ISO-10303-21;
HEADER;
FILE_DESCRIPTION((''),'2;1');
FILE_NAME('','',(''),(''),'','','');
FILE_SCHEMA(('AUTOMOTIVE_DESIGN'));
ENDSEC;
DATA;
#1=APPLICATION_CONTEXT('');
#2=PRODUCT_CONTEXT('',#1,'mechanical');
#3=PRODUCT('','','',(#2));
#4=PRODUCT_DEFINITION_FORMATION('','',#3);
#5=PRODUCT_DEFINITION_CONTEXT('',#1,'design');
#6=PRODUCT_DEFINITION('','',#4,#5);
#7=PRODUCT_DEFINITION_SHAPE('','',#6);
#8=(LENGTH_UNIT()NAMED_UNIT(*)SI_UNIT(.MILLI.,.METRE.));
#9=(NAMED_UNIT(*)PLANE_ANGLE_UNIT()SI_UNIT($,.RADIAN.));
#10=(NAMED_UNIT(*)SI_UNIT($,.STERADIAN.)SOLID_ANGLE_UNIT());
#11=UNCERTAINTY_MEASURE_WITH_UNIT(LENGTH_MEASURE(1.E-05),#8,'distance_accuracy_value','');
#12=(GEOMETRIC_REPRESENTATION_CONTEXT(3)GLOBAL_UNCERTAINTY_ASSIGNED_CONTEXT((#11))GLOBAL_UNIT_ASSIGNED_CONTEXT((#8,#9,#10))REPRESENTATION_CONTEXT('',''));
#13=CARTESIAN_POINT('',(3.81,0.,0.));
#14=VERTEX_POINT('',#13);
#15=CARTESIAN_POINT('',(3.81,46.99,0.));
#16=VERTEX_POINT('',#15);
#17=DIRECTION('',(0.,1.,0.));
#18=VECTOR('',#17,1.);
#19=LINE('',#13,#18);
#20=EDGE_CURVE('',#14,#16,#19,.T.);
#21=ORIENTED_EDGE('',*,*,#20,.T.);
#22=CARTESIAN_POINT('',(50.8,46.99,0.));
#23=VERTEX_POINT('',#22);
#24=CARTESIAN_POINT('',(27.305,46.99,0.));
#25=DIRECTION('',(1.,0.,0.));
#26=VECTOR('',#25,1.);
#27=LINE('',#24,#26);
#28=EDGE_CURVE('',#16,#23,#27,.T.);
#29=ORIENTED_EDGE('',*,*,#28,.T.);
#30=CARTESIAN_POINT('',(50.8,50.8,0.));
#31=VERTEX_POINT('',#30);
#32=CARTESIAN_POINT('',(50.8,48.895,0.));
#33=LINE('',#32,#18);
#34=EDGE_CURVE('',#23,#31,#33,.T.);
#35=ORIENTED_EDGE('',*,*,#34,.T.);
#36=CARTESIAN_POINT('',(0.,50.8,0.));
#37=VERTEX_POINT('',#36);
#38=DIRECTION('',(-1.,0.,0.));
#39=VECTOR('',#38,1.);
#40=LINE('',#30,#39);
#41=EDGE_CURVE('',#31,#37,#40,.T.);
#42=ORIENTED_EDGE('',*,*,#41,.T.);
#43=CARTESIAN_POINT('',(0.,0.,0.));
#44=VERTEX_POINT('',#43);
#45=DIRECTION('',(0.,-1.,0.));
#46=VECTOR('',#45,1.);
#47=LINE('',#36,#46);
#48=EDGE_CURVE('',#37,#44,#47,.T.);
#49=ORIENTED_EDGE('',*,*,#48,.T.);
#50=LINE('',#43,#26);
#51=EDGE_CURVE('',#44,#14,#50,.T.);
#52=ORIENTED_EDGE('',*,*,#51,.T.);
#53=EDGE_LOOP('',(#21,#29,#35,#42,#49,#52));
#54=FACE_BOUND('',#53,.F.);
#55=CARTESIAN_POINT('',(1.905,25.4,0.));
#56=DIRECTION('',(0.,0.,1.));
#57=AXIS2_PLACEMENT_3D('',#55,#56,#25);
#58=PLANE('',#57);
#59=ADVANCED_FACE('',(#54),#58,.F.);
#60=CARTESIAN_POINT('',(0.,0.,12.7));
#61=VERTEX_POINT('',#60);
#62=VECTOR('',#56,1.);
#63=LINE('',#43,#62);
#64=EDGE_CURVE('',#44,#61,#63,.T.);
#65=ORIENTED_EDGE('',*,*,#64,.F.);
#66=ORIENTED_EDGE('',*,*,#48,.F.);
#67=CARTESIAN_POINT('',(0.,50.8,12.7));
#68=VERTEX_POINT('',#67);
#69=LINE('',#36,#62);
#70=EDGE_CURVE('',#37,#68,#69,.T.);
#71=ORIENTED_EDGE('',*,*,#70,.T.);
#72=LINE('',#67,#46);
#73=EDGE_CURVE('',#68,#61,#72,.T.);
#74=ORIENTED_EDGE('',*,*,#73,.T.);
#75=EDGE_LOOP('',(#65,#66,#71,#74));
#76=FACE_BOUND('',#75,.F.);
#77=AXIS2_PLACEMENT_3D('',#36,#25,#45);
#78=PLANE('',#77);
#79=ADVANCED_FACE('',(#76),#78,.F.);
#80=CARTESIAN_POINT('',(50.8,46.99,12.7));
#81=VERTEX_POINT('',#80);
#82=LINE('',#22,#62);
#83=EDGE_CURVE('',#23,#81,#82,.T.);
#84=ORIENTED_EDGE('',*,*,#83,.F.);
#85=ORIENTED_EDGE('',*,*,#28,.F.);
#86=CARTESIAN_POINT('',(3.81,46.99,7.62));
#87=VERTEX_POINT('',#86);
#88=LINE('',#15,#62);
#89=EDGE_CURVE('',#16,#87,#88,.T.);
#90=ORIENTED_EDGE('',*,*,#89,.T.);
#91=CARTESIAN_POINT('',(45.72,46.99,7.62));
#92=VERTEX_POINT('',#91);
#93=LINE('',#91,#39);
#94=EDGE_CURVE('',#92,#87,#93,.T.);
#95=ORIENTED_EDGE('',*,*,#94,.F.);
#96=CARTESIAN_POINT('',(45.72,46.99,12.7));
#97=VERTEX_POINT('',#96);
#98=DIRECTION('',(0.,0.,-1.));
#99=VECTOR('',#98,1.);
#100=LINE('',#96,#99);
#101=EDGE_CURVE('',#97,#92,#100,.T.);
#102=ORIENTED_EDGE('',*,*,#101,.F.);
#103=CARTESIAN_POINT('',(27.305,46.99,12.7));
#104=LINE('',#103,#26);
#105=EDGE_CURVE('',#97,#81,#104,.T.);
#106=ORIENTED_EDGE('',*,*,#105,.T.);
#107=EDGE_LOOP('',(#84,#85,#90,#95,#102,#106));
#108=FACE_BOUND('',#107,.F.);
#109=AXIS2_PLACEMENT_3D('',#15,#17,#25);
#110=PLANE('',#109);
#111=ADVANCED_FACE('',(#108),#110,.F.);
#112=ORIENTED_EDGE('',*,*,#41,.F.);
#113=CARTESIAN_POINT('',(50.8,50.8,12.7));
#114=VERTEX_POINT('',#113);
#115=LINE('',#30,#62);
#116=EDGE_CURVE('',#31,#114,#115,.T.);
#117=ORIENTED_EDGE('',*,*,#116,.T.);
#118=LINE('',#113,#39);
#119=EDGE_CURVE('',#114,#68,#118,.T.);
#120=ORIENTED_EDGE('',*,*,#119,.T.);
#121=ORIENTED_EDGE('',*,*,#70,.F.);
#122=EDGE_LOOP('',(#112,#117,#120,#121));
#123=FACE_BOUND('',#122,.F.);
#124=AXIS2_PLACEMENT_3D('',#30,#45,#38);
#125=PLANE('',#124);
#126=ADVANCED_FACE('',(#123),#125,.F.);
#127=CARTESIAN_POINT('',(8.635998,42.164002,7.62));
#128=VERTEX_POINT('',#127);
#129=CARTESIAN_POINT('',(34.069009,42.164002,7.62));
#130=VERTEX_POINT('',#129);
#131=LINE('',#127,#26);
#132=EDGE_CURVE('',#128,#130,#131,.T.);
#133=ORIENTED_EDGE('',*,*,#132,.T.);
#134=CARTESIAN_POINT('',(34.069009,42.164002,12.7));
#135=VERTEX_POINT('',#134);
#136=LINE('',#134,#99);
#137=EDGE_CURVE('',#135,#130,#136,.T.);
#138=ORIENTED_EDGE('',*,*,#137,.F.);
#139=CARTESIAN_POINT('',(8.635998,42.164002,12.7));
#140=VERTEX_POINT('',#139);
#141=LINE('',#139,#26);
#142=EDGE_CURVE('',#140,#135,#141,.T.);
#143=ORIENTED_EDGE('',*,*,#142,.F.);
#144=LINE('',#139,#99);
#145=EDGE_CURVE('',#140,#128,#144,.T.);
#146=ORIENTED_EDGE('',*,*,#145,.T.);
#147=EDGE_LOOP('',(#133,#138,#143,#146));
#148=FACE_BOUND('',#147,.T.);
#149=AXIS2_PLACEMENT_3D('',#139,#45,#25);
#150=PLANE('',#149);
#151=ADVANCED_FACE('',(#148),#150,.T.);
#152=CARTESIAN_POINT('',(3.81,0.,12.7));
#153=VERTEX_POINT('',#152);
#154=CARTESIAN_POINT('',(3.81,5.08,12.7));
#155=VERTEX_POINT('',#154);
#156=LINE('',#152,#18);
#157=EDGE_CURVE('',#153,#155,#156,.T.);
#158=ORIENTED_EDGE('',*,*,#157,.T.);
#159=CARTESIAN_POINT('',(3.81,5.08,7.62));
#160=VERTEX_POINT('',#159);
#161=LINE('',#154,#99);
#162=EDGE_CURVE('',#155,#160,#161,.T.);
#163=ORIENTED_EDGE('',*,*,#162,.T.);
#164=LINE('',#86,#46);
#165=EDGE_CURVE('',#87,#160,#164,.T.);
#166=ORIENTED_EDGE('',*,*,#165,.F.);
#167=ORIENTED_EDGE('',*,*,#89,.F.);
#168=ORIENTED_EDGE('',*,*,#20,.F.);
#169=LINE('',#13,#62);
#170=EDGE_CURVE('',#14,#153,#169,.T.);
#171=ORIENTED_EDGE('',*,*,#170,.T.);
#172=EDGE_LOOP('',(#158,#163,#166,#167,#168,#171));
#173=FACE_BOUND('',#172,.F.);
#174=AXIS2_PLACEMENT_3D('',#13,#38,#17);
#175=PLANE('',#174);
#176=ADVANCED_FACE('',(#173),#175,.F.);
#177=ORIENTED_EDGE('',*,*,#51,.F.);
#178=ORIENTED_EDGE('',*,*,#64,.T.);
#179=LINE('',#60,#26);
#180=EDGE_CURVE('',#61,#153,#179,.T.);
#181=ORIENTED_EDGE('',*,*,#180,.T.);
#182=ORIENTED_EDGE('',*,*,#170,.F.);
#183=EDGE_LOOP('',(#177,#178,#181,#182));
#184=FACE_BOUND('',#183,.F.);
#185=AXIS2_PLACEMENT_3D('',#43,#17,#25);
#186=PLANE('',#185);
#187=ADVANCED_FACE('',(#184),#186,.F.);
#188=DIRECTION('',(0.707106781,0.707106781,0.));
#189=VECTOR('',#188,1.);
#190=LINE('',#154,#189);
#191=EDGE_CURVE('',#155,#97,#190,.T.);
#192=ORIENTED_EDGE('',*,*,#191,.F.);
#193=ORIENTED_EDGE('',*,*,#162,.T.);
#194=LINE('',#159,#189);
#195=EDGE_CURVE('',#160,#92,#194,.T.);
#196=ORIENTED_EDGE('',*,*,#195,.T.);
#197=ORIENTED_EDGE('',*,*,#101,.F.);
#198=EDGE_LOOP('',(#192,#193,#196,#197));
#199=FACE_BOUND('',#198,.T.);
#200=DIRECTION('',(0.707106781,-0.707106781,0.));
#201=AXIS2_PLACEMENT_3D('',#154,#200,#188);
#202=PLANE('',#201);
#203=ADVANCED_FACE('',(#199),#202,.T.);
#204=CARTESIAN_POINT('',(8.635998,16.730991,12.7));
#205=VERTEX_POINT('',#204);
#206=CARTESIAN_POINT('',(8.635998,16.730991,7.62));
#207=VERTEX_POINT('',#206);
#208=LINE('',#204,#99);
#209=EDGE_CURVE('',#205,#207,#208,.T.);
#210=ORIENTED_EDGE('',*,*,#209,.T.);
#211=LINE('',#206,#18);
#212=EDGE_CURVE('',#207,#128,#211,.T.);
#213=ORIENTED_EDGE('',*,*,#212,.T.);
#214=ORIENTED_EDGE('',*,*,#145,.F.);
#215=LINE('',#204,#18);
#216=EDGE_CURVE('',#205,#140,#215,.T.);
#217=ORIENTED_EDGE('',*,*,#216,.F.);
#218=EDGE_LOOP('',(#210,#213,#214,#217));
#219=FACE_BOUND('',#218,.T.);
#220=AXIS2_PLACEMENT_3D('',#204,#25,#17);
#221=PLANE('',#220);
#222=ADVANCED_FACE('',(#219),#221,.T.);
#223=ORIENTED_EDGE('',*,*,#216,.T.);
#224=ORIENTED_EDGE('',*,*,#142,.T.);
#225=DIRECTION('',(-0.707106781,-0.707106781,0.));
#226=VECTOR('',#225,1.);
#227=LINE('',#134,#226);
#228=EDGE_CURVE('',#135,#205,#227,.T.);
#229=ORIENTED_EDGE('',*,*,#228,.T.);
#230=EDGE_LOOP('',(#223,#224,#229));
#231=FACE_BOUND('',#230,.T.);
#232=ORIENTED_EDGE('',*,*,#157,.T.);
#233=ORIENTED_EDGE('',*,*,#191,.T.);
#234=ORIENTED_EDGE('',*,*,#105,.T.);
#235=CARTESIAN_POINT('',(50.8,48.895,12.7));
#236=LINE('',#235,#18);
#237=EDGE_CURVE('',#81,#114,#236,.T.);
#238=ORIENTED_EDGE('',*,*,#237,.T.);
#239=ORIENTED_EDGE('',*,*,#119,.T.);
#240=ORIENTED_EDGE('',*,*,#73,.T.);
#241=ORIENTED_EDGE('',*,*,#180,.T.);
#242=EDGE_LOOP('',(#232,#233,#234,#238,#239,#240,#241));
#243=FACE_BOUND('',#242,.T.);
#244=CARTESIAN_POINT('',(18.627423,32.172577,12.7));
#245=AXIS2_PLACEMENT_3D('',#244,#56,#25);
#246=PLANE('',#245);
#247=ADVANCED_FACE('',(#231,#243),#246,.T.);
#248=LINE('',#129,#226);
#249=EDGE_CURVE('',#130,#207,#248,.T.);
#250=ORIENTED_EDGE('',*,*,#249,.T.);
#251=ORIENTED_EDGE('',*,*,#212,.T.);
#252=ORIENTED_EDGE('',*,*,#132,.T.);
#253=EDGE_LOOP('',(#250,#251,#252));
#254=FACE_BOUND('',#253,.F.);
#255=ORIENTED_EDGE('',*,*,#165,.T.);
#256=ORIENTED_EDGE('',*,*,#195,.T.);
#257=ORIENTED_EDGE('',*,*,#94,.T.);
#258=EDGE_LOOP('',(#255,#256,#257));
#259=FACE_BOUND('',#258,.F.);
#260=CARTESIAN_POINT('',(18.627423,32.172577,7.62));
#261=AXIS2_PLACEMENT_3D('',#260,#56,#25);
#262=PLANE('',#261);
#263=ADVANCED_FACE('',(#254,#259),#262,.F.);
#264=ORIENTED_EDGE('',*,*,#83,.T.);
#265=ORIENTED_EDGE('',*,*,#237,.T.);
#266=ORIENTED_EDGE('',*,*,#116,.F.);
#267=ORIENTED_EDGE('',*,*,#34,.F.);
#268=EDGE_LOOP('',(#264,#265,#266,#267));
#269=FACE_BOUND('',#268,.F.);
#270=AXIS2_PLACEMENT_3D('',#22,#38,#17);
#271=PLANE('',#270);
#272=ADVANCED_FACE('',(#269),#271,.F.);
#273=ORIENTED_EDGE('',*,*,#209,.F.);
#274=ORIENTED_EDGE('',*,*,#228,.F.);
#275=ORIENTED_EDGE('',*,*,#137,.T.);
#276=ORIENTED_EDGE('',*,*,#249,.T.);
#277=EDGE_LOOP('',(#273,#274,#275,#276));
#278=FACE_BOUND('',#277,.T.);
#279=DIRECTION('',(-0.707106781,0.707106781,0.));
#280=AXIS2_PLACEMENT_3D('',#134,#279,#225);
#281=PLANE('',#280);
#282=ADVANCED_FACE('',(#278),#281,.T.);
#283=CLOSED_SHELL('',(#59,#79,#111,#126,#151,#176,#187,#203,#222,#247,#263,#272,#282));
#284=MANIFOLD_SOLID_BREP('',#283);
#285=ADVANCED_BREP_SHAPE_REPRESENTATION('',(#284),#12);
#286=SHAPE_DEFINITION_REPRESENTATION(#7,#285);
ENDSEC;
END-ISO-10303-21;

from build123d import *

# Parameters (mm, degrees)
F0_W     = 46.99
F0_H     = 3.81
F1_DEPTH = 12.7
F3_DEPTH = 5.08


with BuildPart() as f1:
    # F0 (on Top) → F1 (new body)
    with BuildSketch(Plane.XY):
        Polygon((0, 50.8), (0, 0), (3.81, 0), (3.81, 46.99), (3.81, 50.8), align=None)
        with Locations((27.305, 48.895)):
            Rectangle(F0_W, F0_H)
    extrude(amount=F1_DEPTH)

    # F2 (on face) → F3 (join)
    with BuildSketch(Plane.XY.offset(12.7)):
        Polygon((45.72, 46.99), (3.81, 46.99), (3.81, 5.08), align=None)
        Polygon((8.6359983861, 42.1640016139), (34.0690092442, 42.1640016139), (8.6359983861, 16.7309907558), align=None, mode=Mode.SUBTRACT)
    extrude(amount=-F3_DEPTH)


solid = f1.part
